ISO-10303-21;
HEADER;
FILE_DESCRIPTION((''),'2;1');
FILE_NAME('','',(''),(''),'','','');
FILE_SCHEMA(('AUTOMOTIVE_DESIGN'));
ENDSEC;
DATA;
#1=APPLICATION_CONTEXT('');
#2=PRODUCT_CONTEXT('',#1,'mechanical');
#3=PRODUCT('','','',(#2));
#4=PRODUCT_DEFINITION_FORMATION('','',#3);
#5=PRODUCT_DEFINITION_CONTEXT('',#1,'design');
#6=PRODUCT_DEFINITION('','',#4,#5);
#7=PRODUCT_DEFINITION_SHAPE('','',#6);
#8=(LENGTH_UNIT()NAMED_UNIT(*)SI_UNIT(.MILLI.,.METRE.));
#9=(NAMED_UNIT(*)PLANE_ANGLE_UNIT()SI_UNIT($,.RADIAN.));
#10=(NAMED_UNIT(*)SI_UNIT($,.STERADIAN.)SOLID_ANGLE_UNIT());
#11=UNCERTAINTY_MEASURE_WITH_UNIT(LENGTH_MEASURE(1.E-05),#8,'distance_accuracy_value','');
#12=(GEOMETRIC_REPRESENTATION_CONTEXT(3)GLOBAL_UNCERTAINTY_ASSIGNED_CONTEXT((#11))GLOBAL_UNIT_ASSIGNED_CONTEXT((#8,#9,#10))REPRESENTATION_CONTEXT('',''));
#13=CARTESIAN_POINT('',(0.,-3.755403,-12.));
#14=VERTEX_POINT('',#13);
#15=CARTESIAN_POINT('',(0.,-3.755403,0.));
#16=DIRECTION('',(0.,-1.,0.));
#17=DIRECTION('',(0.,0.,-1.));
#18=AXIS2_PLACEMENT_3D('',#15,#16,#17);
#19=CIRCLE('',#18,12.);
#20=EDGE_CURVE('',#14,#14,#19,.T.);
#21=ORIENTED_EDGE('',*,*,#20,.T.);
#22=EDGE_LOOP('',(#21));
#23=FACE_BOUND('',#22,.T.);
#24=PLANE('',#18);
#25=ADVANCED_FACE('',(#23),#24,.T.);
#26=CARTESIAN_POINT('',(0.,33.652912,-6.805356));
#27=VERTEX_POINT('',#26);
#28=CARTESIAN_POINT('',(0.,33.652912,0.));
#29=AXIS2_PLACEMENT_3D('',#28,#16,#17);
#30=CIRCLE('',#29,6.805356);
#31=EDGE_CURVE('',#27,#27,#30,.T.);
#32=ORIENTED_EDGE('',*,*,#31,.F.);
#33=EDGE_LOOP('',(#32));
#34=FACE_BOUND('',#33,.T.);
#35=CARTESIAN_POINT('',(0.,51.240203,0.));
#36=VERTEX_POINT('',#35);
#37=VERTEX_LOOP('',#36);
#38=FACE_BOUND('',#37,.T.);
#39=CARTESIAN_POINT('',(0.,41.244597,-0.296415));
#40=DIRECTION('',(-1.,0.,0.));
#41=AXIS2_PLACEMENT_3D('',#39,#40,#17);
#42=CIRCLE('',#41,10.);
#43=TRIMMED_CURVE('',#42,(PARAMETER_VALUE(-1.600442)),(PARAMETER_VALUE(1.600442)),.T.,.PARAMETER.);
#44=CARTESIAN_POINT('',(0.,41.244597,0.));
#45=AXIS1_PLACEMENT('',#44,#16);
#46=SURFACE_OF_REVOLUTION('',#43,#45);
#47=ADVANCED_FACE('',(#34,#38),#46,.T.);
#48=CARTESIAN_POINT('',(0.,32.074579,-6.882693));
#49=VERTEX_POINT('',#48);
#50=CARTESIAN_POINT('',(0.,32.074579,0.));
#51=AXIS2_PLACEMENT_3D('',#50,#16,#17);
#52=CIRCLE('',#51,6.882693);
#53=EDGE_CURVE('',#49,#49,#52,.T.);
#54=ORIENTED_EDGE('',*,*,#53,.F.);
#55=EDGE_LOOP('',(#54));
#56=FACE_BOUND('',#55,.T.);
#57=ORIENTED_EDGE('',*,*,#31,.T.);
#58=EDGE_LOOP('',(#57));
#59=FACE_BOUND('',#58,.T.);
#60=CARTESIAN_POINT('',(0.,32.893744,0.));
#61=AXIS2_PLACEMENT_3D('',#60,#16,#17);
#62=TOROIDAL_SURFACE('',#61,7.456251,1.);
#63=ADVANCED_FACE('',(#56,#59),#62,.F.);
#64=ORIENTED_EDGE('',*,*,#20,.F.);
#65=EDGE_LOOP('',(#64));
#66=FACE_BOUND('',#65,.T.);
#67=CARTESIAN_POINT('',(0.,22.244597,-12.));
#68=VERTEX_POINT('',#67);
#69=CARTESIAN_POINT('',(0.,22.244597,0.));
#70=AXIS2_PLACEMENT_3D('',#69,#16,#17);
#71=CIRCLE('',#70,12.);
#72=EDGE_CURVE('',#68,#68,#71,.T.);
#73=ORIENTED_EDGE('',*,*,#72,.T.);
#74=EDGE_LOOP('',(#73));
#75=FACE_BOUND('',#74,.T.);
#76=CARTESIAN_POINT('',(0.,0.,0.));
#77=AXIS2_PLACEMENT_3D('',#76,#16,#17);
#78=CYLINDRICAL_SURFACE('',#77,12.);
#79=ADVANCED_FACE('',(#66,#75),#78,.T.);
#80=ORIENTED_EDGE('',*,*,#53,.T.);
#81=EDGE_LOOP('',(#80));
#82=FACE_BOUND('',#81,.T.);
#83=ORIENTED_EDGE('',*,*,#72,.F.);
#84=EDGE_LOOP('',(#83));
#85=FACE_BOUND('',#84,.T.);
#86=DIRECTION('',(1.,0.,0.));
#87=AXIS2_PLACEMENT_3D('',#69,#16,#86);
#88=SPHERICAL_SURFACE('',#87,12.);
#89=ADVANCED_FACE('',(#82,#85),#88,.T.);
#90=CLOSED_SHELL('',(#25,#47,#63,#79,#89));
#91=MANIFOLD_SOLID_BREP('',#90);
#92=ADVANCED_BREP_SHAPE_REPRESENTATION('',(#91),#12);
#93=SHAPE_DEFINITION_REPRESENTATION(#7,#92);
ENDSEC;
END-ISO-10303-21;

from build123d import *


with BuildPart() as part:
    # Sketch1 → Revolve1 (revolve)
    with BuildSketch(Plane.XY, mode=Mode.PRIVATE) as revolve1_sk:
        with BuildLine():
            Line((12, 22.244597056), (12, -3.755402944))
            Line((12, -3.755402944), (0, -3.755402944))
            Line((0, -3.755402944), (0, 51.240203006))
            ThreePointArc((0, 51.240203006), (9.622564623, 44.853326528), (6.805356461, 33.652912283))
            ThreePointArc((6.805356461, 33.652912283), (6.457448916, 32.844803734), (6.882692892, 32.074578671))
            ThreePointArc((6.882692892, 32.074578671), (10.644066768, 27.785701878), (12, 22.244597056))
        make_face()
    revolve(revolve1_sk.sketch.rotate(Axis((0, 0, 0), (0, 1, 0)), 90), axis=Axis((0, 0, 0), (0, 1, 0)))


solid = part.part
